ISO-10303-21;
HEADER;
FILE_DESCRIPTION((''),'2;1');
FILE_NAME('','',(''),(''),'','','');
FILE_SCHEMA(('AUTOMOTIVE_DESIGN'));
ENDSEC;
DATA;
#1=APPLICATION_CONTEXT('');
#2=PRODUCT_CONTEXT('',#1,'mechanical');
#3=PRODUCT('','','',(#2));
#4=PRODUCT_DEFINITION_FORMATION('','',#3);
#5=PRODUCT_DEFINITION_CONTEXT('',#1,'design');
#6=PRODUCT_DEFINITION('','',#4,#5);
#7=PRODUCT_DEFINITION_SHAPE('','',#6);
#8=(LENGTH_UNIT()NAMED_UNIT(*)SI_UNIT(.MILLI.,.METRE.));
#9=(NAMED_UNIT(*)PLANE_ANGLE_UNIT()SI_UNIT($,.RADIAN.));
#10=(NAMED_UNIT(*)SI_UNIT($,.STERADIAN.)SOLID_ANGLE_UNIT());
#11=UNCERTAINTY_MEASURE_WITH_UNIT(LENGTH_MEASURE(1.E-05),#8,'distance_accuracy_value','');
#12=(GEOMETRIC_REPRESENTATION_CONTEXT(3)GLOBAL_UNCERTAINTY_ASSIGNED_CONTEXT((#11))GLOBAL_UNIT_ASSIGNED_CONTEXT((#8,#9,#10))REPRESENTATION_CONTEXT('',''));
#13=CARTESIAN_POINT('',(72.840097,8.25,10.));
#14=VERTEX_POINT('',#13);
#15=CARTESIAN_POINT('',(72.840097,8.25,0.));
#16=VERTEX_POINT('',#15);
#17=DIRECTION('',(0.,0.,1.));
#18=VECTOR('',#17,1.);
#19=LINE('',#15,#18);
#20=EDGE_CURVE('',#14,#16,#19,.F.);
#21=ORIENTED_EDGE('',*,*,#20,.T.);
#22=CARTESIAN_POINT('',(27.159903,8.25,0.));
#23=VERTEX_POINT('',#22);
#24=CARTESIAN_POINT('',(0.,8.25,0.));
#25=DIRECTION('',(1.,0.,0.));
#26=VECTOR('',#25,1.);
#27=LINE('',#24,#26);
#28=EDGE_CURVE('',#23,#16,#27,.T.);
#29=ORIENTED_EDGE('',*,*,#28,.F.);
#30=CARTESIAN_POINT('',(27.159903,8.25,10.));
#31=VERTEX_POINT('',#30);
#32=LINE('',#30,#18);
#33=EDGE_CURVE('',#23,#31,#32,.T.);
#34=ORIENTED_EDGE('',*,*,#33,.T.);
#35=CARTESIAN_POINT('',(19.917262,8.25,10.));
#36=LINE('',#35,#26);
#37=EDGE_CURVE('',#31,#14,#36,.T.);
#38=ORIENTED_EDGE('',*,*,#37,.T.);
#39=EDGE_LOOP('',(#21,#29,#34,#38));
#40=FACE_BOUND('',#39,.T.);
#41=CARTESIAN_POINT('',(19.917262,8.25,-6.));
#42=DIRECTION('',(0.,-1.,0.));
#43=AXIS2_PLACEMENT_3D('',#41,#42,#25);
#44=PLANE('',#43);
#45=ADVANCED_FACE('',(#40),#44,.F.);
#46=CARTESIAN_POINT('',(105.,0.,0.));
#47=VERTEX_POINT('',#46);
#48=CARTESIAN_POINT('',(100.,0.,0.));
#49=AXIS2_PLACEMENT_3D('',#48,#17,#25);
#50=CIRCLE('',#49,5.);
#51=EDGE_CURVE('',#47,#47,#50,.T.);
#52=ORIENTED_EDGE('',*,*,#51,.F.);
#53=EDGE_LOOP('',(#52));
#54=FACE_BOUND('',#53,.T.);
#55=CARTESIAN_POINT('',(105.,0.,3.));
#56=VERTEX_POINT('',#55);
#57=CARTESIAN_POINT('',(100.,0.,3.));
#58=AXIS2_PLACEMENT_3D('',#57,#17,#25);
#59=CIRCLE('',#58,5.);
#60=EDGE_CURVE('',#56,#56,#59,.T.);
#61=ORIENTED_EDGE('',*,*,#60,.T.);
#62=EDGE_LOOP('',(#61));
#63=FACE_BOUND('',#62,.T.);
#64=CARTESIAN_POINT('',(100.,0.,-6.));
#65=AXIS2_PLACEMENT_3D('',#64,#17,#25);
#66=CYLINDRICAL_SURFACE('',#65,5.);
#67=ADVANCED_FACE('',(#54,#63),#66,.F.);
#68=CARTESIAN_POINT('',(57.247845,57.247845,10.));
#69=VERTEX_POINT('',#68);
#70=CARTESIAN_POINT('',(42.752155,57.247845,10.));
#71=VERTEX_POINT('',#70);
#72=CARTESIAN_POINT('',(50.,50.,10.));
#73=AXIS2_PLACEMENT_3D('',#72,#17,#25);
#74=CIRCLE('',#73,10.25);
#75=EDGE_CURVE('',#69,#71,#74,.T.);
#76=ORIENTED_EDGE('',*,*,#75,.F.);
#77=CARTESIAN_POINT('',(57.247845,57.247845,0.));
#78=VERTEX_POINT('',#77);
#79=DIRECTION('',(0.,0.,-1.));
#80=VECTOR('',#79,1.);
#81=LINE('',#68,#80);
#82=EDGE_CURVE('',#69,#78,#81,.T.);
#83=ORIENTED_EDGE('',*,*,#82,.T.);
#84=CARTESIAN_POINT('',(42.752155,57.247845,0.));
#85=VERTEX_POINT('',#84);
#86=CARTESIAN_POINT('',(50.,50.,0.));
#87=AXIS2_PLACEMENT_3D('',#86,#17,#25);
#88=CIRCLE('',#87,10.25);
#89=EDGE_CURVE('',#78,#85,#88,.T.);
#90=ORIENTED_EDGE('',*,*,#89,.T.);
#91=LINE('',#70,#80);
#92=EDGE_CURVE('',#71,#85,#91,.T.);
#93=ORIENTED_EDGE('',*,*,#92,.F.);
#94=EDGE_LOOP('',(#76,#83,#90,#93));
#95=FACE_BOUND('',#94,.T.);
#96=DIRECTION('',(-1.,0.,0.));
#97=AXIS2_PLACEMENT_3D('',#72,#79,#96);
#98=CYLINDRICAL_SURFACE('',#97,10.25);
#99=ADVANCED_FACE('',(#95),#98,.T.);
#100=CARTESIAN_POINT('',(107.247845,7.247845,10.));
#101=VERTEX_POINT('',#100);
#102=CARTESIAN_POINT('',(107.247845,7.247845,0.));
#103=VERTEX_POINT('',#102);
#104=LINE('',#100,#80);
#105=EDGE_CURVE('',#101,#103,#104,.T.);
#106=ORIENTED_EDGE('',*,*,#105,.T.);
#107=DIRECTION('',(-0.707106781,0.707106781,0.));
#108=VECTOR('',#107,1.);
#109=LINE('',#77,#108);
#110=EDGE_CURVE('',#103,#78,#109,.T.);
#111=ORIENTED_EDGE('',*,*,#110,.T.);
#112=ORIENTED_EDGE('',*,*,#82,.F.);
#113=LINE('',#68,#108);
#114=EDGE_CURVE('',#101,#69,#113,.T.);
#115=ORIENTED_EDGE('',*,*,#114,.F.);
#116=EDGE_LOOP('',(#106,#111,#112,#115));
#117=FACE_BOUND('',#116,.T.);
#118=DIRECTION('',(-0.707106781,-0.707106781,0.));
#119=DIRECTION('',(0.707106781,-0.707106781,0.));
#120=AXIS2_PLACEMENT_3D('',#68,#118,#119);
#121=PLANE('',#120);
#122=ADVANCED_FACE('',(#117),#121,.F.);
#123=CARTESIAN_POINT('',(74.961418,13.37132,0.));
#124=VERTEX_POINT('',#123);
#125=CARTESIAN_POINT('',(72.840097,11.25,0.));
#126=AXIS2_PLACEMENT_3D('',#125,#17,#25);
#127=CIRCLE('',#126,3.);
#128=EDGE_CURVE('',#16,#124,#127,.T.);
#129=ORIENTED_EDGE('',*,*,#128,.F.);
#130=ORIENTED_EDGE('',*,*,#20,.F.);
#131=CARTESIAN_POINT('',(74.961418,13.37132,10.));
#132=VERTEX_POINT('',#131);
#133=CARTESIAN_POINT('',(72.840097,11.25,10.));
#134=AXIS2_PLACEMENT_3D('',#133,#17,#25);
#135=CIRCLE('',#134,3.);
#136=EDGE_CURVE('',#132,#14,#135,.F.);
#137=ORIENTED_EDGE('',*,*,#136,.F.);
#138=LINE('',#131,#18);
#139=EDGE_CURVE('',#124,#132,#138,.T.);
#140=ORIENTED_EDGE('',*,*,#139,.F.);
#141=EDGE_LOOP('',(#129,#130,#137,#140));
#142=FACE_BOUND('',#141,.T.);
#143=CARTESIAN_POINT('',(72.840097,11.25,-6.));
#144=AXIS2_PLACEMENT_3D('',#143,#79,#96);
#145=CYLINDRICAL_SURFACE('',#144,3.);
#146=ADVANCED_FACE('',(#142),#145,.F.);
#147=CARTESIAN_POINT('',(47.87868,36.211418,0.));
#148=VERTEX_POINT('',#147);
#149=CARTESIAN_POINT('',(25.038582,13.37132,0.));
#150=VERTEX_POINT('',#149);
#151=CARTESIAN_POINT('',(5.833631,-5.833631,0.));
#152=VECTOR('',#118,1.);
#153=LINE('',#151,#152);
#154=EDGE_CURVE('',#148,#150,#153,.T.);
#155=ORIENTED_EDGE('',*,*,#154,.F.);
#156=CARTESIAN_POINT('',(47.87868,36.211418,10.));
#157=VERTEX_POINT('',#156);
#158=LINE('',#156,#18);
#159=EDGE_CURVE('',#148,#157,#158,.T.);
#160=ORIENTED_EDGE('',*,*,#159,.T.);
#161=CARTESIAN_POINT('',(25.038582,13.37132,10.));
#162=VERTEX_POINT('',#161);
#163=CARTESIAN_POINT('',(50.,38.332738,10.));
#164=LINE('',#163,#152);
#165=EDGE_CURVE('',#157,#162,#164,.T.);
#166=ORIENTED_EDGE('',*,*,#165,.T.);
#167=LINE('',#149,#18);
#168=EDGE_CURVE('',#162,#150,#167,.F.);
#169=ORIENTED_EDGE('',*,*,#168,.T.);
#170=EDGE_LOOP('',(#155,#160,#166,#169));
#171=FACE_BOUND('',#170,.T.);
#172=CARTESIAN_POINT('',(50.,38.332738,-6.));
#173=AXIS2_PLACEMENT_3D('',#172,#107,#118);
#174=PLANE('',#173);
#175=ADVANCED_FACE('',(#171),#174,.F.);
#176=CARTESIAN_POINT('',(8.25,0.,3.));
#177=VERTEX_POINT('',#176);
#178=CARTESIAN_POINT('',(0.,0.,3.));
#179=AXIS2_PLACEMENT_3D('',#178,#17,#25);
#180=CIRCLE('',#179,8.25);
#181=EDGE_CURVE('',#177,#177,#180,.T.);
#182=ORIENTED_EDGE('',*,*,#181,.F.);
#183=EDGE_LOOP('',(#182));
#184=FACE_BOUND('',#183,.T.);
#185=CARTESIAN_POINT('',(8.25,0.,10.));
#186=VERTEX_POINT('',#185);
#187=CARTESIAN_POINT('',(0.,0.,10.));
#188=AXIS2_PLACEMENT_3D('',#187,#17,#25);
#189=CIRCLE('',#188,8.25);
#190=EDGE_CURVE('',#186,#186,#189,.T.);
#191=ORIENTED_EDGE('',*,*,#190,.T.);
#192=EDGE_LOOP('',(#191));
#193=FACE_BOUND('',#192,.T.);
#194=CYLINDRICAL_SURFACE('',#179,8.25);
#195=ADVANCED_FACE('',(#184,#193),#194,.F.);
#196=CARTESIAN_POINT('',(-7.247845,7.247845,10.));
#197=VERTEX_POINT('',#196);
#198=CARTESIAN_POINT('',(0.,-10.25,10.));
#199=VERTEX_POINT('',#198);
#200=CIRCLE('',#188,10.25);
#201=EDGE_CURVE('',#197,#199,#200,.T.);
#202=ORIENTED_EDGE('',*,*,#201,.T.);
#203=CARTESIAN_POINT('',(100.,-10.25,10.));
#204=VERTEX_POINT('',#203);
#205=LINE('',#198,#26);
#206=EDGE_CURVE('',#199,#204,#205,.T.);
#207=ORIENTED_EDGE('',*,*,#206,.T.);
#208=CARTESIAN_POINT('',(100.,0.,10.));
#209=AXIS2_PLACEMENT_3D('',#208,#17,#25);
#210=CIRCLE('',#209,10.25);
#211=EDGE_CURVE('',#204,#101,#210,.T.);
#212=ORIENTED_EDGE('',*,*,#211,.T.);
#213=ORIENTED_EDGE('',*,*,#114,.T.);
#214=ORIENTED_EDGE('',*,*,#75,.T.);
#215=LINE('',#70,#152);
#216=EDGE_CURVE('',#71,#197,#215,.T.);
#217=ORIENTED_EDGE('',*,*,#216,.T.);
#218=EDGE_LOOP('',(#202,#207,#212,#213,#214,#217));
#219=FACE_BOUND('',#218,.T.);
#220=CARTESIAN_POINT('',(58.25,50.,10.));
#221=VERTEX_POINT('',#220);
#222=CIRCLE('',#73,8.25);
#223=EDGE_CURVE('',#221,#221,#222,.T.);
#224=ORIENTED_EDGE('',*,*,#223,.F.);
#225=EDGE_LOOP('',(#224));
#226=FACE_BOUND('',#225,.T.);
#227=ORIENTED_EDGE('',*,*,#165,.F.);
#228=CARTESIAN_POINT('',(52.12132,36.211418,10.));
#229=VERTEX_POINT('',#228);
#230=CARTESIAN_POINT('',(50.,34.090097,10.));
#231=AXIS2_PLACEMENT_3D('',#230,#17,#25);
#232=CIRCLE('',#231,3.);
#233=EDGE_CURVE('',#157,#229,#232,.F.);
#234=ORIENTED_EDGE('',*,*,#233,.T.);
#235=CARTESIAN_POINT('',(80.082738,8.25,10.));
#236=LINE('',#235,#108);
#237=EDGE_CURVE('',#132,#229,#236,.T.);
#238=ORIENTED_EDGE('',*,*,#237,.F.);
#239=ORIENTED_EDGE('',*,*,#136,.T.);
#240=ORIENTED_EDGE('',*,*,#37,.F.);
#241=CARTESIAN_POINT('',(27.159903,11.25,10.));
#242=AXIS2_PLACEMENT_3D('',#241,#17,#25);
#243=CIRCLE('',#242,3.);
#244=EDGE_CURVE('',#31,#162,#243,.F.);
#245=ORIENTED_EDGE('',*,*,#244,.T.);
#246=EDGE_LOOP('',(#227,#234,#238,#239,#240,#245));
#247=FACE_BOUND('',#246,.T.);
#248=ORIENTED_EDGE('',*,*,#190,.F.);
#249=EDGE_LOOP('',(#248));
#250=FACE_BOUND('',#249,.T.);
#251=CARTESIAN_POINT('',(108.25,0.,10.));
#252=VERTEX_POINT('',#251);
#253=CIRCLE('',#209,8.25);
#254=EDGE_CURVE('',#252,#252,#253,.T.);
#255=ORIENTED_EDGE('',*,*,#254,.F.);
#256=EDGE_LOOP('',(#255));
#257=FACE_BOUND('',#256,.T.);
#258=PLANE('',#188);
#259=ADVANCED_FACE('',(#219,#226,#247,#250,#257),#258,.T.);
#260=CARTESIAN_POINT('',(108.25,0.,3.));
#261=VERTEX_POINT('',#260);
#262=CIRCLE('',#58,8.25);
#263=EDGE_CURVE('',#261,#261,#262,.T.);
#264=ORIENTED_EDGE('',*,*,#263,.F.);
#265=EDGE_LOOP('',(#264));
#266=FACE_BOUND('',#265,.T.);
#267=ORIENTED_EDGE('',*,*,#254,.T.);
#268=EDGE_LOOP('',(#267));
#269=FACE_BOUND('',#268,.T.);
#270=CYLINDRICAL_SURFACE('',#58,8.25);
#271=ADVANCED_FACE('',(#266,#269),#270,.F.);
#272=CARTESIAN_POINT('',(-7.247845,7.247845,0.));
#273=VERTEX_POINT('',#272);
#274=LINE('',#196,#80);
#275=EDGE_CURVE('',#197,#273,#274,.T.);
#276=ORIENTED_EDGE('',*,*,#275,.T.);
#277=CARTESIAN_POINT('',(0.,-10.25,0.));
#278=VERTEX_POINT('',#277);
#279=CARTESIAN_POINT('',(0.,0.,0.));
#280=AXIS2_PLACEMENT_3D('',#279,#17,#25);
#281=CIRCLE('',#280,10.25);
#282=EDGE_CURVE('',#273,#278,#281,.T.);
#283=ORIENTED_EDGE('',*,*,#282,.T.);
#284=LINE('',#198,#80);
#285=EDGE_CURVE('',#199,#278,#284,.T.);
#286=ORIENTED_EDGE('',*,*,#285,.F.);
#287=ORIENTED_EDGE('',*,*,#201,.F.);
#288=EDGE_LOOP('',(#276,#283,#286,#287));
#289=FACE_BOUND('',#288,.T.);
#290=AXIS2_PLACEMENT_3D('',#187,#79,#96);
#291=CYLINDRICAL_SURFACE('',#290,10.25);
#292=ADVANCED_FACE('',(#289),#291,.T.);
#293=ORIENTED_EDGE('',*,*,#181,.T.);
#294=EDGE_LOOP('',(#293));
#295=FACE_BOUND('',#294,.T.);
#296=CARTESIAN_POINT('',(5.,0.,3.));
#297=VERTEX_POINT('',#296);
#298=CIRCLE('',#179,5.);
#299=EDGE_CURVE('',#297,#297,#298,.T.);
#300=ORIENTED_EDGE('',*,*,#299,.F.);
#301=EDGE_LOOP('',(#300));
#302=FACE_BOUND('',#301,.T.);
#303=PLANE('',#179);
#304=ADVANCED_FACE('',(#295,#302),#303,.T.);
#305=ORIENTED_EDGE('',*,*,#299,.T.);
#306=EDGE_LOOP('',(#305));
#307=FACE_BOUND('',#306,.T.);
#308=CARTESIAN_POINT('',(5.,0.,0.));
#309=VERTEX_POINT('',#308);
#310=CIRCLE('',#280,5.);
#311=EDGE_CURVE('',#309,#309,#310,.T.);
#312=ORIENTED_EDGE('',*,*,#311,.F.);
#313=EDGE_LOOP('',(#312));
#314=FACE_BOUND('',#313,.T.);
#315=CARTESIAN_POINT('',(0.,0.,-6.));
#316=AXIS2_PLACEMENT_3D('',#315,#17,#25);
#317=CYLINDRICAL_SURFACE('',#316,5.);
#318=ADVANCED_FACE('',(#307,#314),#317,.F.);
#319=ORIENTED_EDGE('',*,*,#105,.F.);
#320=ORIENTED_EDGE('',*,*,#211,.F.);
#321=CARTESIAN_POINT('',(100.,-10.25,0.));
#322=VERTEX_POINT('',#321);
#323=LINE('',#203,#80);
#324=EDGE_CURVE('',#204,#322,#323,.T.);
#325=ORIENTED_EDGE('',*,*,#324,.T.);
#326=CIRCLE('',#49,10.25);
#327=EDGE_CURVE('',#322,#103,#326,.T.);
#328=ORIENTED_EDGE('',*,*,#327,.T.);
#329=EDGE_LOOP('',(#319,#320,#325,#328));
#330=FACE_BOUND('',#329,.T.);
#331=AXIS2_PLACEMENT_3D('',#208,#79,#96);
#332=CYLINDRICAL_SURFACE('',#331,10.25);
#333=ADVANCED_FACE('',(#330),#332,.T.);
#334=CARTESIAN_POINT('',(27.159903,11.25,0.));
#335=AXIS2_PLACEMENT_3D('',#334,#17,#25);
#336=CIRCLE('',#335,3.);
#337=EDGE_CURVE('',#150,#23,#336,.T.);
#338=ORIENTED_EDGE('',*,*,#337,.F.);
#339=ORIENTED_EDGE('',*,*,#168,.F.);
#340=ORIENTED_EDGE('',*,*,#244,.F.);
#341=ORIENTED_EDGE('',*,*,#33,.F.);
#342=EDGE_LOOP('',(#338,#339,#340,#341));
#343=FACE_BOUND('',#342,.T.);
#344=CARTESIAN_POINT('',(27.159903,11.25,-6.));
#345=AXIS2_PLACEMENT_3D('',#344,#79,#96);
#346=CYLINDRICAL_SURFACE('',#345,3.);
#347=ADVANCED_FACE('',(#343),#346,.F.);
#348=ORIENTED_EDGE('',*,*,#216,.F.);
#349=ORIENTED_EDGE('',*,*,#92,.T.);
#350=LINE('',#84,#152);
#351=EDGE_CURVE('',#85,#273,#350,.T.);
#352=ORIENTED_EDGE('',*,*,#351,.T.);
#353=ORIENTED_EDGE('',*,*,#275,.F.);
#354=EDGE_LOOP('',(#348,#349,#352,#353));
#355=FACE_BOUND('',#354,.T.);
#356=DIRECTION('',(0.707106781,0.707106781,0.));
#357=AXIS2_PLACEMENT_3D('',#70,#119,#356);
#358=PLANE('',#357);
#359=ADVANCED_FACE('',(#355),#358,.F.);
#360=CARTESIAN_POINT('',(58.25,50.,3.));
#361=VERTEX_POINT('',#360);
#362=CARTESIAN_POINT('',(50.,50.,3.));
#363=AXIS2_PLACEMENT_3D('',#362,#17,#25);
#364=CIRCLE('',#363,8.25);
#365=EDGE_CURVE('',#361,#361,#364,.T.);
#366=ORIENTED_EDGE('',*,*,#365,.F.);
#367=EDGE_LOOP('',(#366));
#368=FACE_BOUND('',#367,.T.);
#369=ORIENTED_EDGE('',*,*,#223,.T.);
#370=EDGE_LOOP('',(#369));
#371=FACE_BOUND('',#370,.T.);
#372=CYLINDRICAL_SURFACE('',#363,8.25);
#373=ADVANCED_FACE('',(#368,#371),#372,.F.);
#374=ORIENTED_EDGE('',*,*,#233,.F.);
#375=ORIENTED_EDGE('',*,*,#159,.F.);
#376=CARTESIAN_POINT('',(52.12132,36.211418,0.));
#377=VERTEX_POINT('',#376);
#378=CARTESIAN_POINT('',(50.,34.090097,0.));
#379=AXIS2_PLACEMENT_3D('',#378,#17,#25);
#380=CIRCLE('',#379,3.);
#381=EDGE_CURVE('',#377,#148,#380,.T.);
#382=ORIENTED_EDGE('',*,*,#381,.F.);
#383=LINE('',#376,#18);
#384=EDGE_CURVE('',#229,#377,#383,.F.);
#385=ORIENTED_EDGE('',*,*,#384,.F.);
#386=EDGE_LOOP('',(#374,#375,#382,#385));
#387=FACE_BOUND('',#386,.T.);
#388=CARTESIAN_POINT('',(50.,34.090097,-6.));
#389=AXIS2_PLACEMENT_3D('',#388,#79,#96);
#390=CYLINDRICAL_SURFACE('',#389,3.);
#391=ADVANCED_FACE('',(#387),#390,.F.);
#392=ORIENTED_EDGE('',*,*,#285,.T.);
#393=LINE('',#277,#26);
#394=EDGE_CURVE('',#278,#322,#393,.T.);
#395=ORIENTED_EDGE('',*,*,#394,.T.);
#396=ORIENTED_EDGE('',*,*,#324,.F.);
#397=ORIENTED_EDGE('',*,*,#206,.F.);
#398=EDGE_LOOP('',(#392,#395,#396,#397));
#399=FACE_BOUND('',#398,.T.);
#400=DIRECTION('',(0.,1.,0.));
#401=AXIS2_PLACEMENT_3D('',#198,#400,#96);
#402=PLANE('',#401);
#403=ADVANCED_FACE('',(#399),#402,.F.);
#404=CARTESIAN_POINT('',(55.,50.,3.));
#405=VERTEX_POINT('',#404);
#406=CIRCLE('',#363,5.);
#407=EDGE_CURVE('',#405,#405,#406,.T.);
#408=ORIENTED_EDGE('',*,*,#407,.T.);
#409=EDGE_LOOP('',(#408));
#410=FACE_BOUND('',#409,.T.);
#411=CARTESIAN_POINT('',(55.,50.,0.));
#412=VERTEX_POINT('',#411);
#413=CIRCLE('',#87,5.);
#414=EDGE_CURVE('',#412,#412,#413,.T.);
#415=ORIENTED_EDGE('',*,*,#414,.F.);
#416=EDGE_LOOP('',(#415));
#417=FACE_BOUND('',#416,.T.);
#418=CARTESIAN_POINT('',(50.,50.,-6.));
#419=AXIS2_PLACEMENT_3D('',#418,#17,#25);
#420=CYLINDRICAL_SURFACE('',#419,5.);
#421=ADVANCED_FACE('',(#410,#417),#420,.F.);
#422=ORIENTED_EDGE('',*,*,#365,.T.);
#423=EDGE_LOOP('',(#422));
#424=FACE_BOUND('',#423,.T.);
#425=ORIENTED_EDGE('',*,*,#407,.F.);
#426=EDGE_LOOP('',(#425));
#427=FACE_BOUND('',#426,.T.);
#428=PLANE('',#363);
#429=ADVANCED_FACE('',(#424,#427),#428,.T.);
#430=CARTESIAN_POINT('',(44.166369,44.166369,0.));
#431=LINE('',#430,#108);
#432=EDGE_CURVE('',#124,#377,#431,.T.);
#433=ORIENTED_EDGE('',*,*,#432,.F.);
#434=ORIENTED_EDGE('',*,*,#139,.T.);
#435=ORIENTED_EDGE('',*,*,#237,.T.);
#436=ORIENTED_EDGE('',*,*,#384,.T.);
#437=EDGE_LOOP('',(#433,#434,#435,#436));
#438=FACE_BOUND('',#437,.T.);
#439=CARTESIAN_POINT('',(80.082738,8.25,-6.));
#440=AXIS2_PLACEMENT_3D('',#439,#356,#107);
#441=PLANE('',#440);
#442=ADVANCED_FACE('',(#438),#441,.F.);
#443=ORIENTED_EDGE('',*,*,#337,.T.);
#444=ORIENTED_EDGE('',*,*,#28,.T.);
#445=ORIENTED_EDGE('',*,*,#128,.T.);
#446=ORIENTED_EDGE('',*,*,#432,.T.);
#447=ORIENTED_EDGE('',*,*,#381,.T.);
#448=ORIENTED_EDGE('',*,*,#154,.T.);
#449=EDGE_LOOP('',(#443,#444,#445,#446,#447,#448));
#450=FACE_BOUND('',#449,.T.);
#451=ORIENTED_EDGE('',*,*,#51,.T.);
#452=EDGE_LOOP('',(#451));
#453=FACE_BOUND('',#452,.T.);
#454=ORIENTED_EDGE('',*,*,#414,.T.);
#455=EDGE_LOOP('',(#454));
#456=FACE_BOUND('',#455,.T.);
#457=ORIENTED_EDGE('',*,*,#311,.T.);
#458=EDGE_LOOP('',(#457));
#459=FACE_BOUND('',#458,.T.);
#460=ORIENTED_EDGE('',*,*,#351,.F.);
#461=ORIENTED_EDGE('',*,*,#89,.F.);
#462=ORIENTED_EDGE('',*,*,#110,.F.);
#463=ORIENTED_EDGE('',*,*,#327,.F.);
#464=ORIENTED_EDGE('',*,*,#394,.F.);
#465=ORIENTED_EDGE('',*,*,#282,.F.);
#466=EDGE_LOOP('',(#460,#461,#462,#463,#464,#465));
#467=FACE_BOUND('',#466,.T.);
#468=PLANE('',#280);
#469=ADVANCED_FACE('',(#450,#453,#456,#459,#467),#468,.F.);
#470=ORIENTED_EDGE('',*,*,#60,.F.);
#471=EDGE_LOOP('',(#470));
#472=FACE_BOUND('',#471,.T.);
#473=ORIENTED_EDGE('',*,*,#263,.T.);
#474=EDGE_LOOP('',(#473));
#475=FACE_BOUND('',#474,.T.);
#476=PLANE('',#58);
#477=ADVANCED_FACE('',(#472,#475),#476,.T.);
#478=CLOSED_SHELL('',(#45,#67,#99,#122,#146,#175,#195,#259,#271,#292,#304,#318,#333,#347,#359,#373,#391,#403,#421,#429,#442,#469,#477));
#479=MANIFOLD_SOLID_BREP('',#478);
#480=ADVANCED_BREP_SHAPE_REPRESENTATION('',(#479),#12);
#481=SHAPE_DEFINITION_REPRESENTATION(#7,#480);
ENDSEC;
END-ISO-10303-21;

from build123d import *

# Parameters (mm, degrees)
BOSS_EXTRUDE1_DEPTH = 10
SKETCH2_R           = 8.25
CUT_EXTRUDE1_DEPTH  = 7
CUT_EXTRUDE2_DEPTH  = 16
FILLET2_R           = 3
SKETCH5_R           = 5
CUT_EXTRUDE3_DEPTH  = 16


with BuildPart() as part:
    # Sketch1 → Boss-Extrude1 (new body)
    with BuildSketch(Plane.XY):
        with BuildLine():
            Line((0, 10.25), (100, 10.25))
            ThreePointArc((100, 10.25), (110.25, 0), (100, -10.25))
            Line((100, -10.25), (0, -10.25))
            ThreePointArc((0, -10.25), (-10.25, 0), (0, 10.25))
        make_face()
        with BuildLine():
            Line((92.752155493, -7.247844507), (42.752155493, 42.752155493))
            ThreePointArc((42.752155493, 42.752155493), (42.752155493, 57.247844507), (57.247844507, 57.247844507))
            Line((57.247844507, 57.247844507), (107.247844507, 7.247844507))
            ThreePointArc((107.247844507, 7.247844507), (107.247844507, -7.247844507), (92.752155493, -7.247844507))
        make_face()
        with BuildLine():
            Line((57.247844507, 42.752155493), (7.247844507, -7.247844507))
            ThreePointArc((7.247844507, -7.247844507), (-7.247844507, -7.247844507), (-7.247844507, 7.247844507))
            Line((-7.247844507, 7.247844507), (42.752155493, 57.247844507))
            ThreePointArc((42.752155493, 57.247844507), (57.247844507, 57.247844507), (57.247844507, 42.752155493))
        make_face()
    extrude(amount=BOSS_EXTRUDE1_DEPTH)

    # Sketch2 → Cut-Extrude1 (cut)
    with BuildSketch(Plane.XY.offset(10)):
        with Locations((50, 50)):
            Circle(SKETCH2_R)
        with Locations((100, 0)):
            Circle(SKETCH2_R)
        Circle(SKETCH2_R)
    extrude(amount=-CUT_EXTRUDE1_DEPTH, mode=Mode.SUBTRACT)

    # Sketch4 → Cut-Extrude2 (cut)
    with BuildSketch(Plane.XY.offset(10)):
        Polygon((19.91726189, 8.25), (80.08273811, 8.25), (50, 38.33273811), align=None)
    extrude(amount=-CUT_EXTRUDE2_DEPTH, mode=Mode.SUBTRACT)

    # Fillet2
    fillet2_edges = [part.edges().sort_by_distance(p)[0] for p in [
        (19.91726189, 8.25, 5),
        (50, 38.33273811, 5),
        (80.08273811, 8.25, 5),
    ]]
    fillet(fillet2_edges, radius=FILLET2_R)

    # Sketch5 → Cut-Extrude3 (cut)
    with BuildSketch(Plane.XY.offset(10)):
        Circle(SKETCH5_R)
        with Locations((50, 50)):
            Circle(SKETCH5_R)
        with Locations((100, 0)):
            Circle(SKETCH5_R)
    extrude(amount=-CUT_EXTRUDE3_DEPTH, mode=Mode.SUBTRACT)


solid = part.part
